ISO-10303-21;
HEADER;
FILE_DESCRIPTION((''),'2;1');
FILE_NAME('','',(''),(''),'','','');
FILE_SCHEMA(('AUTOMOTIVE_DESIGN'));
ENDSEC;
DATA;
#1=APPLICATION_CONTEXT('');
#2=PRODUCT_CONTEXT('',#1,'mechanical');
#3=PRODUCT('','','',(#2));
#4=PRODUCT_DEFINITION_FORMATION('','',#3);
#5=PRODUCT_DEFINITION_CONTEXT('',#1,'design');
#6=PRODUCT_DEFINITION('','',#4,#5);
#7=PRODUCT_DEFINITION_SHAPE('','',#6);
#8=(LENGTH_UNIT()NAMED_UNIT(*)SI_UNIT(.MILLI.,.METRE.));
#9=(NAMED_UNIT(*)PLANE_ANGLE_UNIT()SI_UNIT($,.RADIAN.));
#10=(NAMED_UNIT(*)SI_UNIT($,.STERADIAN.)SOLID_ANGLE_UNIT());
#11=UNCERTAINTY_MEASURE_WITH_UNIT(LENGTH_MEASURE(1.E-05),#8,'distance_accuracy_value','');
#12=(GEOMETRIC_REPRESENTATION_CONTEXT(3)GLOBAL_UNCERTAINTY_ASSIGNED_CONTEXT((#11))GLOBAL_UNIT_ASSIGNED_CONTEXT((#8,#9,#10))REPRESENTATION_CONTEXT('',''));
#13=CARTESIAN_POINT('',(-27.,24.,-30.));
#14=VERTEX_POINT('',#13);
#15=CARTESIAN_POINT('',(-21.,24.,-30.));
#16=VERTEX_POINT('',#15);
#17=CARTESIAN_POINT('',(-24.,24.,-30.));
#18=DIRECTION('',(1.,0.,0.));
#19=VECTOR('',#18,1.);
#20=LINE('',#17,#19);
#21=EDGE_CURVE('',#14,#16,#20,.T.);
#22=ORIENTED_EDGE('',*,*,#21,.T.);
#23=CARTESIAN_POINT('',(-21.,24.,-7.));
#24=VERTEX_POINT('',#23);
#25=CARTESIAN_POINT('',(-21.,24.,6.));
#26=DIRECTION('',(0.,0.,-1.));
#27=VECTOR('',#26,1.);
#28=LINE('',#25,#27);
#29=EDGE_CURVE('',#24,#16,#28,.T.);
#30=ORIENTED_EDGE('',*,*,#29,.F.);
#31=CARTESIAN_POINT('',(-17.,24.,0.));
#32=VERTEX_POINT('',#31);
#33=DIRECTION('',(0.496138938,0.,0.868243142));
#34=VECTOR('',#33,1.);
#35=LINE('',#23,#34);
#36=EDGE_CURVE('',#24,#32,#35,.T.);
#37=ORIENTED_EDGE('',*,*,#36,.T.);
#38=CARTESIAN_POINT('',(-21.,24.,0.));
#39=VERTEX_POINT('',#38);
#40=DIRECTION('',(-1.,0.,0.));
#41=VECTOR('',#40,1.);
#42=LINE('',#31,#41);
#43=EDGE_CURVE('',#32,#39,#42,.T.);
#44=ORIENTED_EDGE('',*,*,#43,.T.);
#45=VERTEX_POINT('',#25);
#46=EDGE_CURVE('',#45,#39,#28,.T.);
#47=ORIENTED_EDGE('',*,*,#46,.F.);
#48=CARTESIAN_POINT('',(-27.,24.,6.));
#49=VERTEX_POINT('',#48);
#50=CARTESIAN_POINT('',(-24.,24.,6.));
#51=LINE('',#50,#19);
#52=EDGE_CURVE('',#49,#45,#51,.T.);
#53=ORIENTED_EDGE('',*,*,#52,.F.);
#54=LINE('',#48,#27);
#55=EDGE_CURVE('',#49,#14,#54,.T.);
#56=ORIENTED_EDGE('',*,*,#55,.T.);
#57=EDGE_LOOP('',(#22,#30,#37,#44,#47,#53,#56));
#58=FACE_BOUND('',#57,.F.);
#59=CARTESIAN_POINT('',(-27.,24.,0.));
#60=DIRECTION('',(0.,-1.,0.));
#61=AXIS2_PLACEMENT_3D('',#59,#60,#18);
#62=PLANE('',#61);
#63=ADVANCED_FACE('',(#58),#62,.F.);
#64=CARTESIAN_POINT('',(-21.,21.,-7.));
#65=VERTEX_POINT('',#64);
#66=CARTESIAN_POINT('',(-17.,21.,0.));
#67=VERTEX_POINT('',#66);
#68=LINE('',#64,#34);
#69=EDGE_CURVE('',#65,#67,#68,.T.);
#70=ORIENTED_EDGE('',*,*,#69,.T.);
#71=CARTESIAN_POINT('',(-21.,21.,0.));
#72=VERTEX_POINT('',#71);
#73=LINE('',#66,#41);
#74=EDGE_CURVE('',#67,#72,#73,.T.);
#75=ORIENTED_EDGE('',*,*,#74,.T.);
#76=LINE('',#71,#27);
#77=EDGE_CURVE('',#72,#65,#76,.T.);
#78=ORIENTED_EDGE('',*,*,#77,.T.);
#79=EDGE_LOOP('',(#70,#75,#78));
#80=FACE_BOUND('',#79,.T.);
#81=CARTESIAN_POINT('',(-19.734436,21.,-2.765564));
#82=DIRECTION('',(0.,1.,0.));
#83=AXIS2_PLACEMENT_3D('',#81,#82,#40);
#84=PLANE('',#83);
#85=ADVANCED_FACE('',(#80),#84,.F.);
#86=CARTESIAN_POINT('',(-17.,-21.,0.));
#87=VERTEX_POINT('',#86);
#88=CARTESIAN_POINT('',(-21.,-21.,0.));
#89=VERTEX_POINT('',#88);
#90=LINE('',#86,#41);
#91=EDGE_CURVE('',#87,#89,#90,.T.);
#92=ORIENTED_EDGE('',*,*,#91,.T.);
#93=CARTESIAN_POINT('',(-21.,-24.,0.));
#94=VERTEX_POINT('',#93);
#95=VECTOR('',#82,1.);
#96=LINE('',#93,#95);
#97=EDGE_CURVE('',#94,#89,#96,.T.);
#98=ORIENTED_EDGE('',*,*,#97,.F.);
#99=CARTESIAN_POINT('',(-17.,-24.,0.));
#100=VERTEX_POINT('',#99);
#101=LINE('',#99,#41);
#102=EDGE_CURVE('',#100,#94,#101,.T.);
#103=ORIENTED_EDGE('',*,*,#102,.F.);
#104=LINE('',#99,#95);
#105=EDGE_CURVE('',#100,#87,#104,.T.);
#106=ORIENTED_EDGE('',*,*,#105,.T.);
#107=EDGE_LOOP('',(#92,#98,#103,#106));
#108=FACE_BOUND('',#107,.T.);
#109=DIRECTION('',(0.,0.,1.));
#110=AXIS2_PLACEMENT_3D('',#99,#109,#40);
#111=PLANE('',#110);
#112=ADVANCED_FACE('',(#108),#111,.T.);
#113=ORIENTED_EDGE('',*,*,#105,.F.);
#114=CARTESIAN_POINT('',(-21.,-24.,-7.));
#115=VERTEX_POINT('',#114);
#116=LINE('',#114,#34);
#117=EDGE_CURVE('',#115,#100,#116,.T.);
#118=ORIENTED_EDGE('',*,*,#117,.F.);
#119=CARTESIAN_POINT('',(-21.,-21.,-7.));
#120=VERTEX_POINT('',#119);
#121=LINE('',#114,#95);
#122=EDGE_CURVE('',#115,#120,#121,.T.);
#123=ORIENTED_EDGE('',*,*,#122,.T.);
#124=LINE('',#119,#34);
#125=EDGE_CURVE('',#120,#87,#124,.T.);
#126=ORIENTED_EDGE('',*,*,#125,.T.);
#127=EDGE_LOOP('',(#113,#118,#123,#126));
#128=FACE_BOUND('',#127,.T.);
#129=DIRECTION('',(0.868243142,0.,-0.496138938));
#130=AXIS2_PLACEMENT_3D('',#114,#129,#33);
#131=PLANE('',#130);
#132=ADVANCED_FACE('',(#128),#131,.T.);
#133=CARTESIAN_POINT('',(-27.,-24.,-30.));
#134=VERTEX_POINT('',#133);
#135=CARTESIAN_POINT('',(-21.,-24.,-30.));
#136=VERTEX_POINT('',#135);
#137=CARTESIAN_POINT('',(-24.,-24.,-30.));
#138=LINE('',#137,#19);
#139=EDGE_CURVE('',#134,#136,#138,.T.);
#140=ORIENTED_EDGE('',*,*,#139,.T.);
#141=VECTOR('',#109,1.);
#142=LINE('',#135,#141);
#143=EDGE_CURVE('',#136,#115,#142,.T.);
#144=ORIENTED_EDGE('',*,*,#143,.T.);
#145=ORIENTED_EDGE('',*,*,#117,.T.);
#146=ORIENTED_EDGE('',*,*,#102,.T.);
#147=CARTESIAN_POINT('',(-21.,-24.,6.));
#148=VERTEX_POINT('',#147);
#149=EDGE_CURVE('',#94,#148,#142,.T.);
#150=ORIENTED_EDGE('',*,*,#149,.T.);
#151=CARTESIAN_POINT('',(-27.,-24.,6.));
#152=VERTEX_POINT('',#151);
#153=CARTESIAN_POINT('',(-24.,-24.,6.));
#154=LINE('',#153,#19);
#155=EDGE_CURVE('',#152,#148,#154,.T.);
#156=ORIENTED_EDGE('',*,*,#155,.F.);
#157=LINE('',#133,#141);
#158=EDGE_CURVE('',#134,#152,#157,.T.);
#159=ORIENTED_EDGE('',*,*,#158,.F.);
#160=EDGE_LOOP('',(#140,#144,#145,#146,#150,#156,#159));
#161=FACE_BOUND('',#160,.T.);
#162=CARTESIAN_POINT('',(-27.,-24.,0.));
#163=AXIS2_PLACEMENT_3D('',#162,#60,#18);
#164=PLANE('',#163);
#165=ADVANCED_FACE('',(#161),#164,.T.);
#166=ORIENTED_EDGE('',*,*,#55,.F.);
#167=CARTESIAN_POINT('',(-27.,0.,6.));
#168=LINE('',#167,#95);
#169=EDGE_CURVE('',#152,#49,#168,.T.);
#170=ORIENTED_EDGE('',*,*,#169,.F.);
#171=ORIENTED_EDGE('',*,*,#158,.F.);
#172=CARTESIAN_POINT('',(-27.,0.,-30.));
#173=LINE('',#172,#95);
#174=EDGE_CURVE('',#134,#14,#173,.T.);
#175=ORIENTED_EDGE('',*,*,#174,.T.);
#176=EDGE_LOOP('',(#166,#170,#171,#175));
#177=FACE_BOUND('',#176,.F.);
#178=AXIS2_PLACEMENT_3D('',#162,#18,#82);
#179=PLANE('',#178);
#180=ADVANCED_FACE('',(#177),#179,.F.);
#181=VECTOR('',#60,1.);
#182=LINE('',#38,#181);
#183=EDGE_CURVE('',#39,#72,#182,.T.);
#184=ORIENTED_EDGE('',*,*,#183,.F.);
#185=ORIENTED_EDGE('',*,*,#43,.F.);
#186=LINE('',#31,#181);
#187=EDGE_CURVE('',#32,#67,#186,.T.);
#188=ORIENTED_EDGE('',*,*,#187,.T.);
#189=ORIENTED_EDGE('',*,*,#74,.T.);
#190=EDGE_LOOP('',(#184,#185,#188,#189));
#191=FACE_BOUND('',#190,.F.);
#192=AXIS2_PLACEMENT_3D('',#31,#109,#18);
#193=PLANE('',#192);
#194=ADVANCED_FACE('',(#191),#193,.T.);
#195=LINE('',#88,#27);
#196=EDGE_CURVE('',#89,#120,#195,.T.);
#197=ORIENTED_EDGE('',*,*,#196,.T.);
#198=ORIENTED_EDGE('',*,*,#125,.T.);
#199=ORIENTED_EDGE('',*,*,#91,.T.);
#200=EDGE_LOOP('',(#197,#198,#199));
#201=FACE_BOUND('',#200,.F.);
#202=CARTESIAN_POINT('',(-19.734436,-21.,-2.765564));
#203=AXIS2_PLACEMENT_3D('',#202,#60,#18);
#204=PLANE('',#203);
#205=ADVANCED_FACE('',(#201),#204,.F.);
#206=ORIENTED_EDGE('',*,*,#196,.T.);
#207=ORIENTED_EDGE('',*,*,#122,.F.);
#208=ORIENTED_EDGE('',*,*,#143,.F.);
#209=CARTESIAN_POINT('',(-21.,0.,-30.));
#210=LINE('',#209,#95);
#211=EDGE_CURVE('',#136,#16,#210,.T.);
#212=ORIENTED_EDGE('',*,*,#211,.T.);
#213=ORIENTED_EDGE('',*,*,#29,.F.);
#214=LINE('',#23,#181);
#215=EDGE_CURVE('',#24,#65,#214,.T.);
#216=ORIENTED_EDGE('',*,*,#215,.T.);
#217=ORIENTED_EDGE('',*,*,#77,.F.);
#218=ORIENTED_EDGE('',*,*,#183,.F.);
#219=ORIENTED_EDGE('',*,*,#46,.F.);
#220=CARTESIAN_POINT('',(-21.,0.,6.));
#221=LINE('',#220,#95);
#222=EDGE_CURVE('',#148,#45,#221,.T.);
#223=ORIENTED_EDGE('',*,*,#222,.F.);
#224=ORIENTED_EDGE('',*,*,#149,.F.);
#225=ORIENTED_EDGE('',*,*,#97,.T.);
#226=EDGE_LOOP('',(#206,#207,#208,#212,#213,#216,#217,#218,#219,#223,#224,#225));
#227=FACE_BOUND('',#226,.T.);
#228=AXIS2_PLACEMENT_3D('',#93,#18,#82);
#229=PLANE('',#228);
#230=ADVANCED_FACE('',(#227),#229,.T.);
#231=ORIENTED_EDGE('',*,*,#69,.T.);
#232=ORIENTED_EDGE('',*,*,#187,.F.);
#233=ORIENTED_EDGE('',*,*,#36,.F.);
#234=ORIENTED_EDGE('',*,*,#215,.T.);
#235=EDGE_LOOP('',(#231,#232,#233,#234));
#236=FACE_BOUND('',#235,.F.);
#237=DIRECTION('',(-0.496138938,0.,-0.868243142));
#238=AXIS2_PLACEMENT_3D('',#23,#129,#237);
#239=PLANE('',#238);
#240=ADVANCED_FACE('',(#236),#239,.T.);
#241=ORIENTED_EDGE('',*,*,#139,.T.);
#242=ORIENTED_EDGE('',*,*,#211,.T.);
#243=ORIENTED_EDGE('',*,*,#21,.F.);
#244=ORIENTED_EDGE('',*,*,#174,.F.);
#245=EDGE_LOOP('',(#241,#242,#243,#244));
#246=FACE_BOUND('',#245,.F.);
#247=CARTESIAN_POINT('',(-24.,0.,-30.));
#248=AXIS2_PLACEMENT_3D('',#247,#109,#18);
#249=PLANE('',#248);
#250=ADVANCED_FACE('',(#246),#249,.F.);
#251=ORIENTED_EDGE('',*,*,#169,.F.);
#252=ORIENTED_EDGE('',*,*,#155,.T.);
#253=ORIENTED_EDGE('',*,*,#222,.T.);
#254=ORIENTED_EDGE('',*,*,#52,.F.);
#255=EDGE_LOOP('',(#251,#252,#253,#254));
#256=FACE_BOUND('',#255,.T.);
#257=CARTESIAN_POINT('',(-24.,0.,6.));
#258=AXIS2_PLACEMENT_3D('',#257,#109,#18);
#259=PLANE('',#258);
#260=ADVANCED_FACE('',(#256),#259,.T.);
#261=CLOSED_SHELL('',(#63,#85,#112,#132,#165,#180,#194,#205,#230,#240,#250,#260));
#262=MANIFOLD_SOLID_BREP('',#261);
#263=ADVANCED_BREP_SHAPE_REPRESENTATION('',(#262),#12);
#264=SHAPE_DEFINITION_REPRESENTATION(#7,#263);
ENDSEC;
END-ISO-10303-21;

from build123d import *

# Parameters (mm, degrees)
SKETCH010_W       = 6
SKETCH010_H       = 48
PAD004_DEPTH      = 6
PAD004_DEPTH_BACK = 30
PAD005_DEPTH      = 3


with BuildPart() as part:
    # Sketch010 (on Face1 of Binder007) → Pad004 (new body, two sides)
    with BuildSketch(Plane.XY) as pad004_sk:
        with Locations((-24, 0)):
            Rectangle(SKETCH010_W, SKETCH010_H)
    extrude(amount=PAD004_DEPTH)
    extrude(pad004_sk.sketch, amount=-PAD004_DEPTH_BACK)

    # Sketch011 (on Face3 of Pad004) → Pad005 (join)
    with BuildSketch(Plane.XZ.offset(24)):
        Polygon((-21, 0), (-21, -7), (-17, 0), align=None)
    pad005 = extrude(amount=-PAD005_DEPTH)

    # Mirrored001: Pad005 across XZ
    add(pad005.mirror(Plane.XZ))


solid = part.part
